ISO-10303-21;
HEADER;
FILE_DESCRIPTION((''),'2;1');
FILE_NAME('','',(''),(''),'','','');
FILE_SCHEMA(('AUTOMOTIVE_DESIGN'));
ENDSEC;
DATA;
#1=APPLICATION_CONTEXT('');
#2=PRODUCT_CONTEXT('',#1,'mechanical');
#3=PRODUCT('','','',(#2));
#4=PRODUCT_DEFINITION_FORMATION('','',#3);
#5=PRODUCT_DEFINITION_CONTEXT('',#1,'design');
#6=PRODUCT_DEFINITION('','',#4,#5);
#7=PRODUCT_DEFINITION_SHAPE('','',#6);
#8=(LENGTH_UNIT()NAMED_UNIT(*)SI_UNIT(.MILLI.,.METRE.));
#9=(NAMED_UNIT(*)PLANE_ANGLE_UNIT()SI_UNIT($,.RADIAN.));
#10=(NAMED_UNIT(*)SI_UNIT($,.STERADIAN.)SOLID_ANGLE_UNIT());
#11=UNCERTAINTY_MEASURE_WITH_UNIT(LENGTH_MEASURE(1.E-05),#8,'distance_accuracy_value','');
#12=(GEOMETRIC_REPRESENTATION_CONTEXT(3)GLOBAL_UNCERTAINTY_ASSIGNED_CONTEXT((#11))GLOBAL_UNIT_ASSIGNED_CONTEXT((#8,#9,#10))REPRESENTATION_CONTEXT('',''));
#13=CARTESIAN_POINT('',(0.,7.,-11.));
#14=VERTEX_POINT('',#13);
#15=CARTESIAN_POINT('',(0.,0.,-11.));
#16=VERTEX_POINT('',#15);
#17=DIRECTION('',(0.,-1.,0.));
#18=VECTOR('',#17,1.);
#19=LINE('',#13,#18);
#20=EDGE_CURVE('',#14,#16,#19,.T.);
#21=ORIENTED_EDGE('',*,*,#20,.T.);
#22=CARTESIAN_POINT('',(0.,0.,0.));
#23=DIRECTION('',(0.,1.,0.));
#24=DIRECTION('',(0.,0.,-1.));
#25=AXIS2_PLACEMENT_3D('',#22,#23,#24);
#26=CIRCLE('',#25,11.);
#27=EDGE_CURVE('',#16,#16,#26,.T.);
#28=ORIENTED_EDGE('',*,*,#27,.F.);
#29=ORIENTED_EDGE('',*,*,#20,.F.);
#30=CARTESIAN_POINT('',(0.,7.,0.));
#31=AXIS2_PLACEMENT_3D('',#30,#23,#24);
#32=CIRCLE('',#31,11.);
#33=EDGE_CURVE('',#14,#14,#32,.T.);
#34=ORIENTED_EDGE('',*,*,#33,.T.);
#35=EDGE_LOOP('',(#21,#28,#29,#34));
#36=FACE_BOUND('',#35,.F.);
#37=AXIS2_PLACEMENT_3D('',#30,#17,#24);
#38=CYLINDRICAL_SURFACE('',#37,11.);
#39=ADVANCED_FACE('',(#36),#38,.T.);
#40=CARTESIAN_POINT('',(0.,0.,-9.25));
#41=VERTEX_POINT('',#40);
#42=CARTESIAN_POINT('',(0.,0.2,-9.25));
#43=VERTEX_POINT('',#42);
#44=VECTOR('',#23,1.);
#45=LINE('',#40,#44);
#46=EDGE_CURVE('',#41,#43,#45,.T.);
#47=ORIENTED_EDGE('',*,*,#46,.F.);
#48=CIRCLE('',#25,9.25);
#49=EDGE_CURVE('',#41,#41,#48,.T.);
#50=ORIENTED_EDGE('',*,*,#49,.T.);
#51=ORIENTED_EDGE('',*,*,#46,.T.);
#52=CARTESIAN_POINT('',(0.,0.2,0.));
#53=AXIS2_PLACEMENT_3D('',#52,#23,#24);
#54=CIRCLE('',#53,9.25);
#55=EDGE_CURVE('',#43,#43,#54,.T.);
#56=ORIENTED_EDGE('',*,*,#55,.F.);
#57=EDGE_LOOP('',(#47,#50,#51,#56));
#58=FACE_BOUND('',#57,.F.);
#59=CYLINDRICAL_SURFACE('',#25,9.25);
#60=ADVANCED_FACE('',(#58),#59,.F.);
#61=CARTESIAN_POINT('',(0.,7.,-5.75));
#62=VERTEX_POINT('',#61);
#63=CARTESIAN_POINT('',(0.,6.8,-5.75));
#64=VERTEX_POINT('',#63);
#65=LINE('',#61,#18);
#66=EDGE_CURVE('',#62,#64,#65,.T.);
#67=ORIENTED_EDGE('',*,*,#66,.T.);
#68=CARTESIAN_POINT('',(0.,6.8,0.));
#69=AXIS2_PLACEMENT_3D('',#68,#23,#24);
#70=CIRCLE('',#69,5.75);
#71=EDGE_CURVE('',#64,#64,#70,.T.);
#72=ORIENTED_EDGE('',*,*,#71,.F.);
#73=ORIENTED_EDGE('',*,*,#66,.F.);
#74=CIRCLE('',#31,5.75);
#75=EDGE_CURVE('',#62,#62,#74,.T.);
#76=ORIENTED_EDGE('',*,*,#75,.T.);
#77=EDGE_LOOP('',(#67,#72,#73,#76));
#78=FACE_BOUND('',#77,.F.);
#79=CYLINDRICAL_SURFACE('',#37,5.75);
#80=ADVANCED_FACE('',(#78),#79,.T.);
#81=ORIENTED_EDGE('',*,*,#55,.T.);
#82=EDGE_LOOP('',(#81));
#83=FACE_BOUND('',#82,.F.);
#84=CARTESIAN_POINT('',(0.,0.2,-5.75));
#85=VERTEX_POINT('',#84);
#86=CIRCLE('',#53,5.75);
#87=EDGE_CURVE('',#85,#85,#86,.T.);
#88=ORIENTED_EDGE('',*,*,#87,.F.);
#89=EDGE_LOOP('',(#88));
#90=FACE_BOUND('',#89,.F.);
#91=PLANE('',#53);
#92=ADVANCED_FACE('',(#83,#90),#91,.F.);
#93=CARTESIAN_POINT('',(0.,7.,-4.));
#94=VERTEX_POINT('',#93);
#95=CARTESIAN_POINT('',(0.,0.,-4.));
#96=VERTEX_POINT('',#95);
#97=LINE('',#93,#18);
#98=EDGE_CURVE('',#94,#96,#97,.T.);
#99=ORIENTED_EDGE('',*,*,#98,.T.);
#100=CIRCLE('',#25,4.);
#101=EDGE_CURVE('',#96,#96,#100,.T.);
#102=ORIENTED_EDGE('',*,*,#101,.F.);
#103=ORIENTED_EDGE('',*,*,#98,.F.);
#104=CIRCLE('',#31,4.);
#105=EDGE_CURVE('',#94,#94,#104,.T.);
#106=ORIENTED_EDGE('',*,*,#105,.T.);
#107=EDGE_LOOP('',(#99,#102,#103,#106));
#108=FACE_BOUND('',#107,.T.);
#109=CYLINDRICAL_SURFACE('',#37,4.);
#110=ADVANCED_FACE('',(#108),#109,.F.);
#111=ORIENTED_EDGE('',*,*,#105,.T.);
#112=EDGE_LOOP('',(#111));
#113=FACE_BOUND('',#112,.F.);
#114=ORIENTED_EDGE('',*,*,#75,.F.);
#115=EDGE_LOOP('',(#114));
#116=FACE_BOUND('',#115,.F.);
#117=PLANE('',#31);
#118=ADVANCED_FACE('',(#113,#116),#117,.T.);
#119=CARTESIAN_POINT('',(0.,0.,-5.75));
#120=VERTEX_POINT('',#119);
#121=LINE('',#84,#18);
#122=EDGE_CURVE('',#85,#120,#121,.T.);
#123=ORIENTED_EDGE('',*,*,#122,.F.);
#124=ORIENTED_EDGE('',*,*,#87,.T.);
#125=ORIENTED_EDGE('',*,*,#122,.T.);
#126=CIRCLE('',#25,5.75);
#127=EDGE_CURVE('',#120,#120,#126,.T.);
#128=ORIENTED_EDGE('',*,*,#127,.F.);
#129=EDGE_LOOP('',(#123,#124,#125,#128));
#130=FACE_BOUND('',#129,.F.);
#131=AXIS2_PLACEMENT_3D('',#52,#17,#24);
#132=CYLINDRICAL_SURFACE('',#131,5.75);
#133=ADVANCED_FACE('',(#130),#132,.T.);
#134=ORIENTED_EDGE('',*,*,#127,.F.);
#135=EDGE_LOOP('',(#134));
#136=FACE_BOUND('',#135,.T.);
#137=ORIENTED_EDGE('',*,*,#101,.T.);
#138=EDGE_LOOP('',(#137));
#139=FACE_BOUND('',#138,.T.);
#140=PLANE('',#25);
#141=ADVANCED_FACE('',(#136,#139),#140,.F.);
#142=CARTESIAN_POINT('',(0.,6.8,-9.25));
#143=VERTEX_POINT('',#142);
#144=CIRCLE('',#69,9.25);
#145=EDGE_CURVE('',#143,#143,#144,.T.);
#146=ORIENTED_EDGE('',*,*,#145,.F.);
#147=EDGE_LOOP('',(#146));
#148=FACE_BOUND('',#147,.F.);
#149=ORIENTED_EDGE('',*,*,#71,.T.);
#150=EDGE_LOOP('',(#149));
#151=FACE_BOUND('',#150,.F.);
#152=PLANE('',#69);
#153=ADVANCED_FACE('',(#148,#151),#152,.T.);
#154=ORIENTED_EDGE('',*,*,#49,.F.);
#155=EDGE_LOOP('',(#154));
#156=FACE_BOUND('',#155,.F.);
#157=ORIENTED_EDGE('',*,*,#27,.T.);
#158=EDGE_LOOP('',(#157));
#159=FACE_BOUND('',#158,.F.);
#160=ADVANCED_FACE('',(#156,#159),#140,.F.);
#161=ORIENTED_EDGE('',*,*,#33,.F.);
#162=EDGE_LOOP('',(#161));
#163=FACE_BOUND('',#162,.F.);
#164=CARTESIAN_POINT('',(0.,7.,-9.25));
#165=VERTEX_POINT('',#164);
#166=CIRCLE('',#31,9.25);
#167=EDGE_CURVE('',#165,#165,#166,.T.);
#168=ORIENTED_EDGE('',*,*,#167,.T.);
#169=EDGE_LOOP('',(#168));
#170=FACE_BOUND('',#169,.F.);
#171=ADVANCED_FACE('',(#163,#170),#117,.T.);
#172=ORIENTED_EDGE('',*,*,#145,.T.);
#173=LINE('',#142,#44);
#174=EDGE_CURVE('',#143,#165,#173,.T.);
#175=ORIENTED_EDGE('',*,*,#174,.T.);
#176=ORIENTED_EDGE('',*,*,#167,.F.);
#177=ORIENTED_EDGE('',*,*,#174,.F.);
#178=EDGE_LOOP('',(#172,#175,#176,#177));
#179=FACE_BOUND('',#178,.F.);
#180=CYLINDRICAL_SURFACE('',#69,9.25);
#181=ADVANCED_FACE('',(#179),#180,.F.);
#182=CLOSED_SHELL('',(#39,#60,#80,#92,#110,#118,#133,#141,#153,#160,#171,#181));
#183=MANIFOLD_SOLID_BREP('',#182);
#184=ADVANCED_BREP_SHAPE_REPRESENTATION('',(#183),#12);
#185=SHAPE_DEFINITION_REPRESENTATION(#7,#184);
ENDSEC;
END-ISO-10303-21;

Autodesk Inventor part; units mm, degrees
ref_plane "YZ Plane" through (0, 0, 0) normal (1, 0, 0) x (0, 1, 0)
ref_plane "XZ Plane" through (0, 0, 0) normal (0, 1, 0) x (-1, 0, 0)
ref_plane "XY Plane" through (0, 0, 0) normal (0, 0, 1) x (1, 0, 0)
sketch "Sketch1" plane through (0, 0, 0) normal (1, 0, 0) x (0, 1, 0)
  line L0 (0, 0) -> (7, 0) construction
  line L1 (7, 0) -> (7, -4) construction
  line L2 (7, -4) -> (0, -4)
  line L3 (0, -4) -> (0, 0) construction
  line L4 (7, -4) -> (7, -5.75)
  line L5 (7, -5.75) -> (6.8, -5.75)
  line L6 (6.8, -5.75) -> (6.8, -9.25)
  line L7 (6.8, -9.25) -> (7, -9.25)
  line L8 (7, -9.25) -> (7, -11)
  line L9 (7, -11) -> (0, -11)
  line L10 (0, -11) -> (0, -9.25)
  line L11 (0, -9.25) -> (0.2, -9.25)
  line L12 (0.2, -9.25) -> (0.2, -5.75)
  line L13 (0.2, -5.75) -> (0, -5.75)
  line L14 (0, -4) -> (0, -5.75)
  dimension "d0" = 4
  dimension "d1" = 11
  dimension "d2" = 7
  dimension "d3" = 0.2
  dimension "d4" = 3.5
revolve "Revolution1" add sketch "Sketch1" angle 360 about axis through (0, 0, 0) along (0, 1, 0)
properties part number "608zz"
